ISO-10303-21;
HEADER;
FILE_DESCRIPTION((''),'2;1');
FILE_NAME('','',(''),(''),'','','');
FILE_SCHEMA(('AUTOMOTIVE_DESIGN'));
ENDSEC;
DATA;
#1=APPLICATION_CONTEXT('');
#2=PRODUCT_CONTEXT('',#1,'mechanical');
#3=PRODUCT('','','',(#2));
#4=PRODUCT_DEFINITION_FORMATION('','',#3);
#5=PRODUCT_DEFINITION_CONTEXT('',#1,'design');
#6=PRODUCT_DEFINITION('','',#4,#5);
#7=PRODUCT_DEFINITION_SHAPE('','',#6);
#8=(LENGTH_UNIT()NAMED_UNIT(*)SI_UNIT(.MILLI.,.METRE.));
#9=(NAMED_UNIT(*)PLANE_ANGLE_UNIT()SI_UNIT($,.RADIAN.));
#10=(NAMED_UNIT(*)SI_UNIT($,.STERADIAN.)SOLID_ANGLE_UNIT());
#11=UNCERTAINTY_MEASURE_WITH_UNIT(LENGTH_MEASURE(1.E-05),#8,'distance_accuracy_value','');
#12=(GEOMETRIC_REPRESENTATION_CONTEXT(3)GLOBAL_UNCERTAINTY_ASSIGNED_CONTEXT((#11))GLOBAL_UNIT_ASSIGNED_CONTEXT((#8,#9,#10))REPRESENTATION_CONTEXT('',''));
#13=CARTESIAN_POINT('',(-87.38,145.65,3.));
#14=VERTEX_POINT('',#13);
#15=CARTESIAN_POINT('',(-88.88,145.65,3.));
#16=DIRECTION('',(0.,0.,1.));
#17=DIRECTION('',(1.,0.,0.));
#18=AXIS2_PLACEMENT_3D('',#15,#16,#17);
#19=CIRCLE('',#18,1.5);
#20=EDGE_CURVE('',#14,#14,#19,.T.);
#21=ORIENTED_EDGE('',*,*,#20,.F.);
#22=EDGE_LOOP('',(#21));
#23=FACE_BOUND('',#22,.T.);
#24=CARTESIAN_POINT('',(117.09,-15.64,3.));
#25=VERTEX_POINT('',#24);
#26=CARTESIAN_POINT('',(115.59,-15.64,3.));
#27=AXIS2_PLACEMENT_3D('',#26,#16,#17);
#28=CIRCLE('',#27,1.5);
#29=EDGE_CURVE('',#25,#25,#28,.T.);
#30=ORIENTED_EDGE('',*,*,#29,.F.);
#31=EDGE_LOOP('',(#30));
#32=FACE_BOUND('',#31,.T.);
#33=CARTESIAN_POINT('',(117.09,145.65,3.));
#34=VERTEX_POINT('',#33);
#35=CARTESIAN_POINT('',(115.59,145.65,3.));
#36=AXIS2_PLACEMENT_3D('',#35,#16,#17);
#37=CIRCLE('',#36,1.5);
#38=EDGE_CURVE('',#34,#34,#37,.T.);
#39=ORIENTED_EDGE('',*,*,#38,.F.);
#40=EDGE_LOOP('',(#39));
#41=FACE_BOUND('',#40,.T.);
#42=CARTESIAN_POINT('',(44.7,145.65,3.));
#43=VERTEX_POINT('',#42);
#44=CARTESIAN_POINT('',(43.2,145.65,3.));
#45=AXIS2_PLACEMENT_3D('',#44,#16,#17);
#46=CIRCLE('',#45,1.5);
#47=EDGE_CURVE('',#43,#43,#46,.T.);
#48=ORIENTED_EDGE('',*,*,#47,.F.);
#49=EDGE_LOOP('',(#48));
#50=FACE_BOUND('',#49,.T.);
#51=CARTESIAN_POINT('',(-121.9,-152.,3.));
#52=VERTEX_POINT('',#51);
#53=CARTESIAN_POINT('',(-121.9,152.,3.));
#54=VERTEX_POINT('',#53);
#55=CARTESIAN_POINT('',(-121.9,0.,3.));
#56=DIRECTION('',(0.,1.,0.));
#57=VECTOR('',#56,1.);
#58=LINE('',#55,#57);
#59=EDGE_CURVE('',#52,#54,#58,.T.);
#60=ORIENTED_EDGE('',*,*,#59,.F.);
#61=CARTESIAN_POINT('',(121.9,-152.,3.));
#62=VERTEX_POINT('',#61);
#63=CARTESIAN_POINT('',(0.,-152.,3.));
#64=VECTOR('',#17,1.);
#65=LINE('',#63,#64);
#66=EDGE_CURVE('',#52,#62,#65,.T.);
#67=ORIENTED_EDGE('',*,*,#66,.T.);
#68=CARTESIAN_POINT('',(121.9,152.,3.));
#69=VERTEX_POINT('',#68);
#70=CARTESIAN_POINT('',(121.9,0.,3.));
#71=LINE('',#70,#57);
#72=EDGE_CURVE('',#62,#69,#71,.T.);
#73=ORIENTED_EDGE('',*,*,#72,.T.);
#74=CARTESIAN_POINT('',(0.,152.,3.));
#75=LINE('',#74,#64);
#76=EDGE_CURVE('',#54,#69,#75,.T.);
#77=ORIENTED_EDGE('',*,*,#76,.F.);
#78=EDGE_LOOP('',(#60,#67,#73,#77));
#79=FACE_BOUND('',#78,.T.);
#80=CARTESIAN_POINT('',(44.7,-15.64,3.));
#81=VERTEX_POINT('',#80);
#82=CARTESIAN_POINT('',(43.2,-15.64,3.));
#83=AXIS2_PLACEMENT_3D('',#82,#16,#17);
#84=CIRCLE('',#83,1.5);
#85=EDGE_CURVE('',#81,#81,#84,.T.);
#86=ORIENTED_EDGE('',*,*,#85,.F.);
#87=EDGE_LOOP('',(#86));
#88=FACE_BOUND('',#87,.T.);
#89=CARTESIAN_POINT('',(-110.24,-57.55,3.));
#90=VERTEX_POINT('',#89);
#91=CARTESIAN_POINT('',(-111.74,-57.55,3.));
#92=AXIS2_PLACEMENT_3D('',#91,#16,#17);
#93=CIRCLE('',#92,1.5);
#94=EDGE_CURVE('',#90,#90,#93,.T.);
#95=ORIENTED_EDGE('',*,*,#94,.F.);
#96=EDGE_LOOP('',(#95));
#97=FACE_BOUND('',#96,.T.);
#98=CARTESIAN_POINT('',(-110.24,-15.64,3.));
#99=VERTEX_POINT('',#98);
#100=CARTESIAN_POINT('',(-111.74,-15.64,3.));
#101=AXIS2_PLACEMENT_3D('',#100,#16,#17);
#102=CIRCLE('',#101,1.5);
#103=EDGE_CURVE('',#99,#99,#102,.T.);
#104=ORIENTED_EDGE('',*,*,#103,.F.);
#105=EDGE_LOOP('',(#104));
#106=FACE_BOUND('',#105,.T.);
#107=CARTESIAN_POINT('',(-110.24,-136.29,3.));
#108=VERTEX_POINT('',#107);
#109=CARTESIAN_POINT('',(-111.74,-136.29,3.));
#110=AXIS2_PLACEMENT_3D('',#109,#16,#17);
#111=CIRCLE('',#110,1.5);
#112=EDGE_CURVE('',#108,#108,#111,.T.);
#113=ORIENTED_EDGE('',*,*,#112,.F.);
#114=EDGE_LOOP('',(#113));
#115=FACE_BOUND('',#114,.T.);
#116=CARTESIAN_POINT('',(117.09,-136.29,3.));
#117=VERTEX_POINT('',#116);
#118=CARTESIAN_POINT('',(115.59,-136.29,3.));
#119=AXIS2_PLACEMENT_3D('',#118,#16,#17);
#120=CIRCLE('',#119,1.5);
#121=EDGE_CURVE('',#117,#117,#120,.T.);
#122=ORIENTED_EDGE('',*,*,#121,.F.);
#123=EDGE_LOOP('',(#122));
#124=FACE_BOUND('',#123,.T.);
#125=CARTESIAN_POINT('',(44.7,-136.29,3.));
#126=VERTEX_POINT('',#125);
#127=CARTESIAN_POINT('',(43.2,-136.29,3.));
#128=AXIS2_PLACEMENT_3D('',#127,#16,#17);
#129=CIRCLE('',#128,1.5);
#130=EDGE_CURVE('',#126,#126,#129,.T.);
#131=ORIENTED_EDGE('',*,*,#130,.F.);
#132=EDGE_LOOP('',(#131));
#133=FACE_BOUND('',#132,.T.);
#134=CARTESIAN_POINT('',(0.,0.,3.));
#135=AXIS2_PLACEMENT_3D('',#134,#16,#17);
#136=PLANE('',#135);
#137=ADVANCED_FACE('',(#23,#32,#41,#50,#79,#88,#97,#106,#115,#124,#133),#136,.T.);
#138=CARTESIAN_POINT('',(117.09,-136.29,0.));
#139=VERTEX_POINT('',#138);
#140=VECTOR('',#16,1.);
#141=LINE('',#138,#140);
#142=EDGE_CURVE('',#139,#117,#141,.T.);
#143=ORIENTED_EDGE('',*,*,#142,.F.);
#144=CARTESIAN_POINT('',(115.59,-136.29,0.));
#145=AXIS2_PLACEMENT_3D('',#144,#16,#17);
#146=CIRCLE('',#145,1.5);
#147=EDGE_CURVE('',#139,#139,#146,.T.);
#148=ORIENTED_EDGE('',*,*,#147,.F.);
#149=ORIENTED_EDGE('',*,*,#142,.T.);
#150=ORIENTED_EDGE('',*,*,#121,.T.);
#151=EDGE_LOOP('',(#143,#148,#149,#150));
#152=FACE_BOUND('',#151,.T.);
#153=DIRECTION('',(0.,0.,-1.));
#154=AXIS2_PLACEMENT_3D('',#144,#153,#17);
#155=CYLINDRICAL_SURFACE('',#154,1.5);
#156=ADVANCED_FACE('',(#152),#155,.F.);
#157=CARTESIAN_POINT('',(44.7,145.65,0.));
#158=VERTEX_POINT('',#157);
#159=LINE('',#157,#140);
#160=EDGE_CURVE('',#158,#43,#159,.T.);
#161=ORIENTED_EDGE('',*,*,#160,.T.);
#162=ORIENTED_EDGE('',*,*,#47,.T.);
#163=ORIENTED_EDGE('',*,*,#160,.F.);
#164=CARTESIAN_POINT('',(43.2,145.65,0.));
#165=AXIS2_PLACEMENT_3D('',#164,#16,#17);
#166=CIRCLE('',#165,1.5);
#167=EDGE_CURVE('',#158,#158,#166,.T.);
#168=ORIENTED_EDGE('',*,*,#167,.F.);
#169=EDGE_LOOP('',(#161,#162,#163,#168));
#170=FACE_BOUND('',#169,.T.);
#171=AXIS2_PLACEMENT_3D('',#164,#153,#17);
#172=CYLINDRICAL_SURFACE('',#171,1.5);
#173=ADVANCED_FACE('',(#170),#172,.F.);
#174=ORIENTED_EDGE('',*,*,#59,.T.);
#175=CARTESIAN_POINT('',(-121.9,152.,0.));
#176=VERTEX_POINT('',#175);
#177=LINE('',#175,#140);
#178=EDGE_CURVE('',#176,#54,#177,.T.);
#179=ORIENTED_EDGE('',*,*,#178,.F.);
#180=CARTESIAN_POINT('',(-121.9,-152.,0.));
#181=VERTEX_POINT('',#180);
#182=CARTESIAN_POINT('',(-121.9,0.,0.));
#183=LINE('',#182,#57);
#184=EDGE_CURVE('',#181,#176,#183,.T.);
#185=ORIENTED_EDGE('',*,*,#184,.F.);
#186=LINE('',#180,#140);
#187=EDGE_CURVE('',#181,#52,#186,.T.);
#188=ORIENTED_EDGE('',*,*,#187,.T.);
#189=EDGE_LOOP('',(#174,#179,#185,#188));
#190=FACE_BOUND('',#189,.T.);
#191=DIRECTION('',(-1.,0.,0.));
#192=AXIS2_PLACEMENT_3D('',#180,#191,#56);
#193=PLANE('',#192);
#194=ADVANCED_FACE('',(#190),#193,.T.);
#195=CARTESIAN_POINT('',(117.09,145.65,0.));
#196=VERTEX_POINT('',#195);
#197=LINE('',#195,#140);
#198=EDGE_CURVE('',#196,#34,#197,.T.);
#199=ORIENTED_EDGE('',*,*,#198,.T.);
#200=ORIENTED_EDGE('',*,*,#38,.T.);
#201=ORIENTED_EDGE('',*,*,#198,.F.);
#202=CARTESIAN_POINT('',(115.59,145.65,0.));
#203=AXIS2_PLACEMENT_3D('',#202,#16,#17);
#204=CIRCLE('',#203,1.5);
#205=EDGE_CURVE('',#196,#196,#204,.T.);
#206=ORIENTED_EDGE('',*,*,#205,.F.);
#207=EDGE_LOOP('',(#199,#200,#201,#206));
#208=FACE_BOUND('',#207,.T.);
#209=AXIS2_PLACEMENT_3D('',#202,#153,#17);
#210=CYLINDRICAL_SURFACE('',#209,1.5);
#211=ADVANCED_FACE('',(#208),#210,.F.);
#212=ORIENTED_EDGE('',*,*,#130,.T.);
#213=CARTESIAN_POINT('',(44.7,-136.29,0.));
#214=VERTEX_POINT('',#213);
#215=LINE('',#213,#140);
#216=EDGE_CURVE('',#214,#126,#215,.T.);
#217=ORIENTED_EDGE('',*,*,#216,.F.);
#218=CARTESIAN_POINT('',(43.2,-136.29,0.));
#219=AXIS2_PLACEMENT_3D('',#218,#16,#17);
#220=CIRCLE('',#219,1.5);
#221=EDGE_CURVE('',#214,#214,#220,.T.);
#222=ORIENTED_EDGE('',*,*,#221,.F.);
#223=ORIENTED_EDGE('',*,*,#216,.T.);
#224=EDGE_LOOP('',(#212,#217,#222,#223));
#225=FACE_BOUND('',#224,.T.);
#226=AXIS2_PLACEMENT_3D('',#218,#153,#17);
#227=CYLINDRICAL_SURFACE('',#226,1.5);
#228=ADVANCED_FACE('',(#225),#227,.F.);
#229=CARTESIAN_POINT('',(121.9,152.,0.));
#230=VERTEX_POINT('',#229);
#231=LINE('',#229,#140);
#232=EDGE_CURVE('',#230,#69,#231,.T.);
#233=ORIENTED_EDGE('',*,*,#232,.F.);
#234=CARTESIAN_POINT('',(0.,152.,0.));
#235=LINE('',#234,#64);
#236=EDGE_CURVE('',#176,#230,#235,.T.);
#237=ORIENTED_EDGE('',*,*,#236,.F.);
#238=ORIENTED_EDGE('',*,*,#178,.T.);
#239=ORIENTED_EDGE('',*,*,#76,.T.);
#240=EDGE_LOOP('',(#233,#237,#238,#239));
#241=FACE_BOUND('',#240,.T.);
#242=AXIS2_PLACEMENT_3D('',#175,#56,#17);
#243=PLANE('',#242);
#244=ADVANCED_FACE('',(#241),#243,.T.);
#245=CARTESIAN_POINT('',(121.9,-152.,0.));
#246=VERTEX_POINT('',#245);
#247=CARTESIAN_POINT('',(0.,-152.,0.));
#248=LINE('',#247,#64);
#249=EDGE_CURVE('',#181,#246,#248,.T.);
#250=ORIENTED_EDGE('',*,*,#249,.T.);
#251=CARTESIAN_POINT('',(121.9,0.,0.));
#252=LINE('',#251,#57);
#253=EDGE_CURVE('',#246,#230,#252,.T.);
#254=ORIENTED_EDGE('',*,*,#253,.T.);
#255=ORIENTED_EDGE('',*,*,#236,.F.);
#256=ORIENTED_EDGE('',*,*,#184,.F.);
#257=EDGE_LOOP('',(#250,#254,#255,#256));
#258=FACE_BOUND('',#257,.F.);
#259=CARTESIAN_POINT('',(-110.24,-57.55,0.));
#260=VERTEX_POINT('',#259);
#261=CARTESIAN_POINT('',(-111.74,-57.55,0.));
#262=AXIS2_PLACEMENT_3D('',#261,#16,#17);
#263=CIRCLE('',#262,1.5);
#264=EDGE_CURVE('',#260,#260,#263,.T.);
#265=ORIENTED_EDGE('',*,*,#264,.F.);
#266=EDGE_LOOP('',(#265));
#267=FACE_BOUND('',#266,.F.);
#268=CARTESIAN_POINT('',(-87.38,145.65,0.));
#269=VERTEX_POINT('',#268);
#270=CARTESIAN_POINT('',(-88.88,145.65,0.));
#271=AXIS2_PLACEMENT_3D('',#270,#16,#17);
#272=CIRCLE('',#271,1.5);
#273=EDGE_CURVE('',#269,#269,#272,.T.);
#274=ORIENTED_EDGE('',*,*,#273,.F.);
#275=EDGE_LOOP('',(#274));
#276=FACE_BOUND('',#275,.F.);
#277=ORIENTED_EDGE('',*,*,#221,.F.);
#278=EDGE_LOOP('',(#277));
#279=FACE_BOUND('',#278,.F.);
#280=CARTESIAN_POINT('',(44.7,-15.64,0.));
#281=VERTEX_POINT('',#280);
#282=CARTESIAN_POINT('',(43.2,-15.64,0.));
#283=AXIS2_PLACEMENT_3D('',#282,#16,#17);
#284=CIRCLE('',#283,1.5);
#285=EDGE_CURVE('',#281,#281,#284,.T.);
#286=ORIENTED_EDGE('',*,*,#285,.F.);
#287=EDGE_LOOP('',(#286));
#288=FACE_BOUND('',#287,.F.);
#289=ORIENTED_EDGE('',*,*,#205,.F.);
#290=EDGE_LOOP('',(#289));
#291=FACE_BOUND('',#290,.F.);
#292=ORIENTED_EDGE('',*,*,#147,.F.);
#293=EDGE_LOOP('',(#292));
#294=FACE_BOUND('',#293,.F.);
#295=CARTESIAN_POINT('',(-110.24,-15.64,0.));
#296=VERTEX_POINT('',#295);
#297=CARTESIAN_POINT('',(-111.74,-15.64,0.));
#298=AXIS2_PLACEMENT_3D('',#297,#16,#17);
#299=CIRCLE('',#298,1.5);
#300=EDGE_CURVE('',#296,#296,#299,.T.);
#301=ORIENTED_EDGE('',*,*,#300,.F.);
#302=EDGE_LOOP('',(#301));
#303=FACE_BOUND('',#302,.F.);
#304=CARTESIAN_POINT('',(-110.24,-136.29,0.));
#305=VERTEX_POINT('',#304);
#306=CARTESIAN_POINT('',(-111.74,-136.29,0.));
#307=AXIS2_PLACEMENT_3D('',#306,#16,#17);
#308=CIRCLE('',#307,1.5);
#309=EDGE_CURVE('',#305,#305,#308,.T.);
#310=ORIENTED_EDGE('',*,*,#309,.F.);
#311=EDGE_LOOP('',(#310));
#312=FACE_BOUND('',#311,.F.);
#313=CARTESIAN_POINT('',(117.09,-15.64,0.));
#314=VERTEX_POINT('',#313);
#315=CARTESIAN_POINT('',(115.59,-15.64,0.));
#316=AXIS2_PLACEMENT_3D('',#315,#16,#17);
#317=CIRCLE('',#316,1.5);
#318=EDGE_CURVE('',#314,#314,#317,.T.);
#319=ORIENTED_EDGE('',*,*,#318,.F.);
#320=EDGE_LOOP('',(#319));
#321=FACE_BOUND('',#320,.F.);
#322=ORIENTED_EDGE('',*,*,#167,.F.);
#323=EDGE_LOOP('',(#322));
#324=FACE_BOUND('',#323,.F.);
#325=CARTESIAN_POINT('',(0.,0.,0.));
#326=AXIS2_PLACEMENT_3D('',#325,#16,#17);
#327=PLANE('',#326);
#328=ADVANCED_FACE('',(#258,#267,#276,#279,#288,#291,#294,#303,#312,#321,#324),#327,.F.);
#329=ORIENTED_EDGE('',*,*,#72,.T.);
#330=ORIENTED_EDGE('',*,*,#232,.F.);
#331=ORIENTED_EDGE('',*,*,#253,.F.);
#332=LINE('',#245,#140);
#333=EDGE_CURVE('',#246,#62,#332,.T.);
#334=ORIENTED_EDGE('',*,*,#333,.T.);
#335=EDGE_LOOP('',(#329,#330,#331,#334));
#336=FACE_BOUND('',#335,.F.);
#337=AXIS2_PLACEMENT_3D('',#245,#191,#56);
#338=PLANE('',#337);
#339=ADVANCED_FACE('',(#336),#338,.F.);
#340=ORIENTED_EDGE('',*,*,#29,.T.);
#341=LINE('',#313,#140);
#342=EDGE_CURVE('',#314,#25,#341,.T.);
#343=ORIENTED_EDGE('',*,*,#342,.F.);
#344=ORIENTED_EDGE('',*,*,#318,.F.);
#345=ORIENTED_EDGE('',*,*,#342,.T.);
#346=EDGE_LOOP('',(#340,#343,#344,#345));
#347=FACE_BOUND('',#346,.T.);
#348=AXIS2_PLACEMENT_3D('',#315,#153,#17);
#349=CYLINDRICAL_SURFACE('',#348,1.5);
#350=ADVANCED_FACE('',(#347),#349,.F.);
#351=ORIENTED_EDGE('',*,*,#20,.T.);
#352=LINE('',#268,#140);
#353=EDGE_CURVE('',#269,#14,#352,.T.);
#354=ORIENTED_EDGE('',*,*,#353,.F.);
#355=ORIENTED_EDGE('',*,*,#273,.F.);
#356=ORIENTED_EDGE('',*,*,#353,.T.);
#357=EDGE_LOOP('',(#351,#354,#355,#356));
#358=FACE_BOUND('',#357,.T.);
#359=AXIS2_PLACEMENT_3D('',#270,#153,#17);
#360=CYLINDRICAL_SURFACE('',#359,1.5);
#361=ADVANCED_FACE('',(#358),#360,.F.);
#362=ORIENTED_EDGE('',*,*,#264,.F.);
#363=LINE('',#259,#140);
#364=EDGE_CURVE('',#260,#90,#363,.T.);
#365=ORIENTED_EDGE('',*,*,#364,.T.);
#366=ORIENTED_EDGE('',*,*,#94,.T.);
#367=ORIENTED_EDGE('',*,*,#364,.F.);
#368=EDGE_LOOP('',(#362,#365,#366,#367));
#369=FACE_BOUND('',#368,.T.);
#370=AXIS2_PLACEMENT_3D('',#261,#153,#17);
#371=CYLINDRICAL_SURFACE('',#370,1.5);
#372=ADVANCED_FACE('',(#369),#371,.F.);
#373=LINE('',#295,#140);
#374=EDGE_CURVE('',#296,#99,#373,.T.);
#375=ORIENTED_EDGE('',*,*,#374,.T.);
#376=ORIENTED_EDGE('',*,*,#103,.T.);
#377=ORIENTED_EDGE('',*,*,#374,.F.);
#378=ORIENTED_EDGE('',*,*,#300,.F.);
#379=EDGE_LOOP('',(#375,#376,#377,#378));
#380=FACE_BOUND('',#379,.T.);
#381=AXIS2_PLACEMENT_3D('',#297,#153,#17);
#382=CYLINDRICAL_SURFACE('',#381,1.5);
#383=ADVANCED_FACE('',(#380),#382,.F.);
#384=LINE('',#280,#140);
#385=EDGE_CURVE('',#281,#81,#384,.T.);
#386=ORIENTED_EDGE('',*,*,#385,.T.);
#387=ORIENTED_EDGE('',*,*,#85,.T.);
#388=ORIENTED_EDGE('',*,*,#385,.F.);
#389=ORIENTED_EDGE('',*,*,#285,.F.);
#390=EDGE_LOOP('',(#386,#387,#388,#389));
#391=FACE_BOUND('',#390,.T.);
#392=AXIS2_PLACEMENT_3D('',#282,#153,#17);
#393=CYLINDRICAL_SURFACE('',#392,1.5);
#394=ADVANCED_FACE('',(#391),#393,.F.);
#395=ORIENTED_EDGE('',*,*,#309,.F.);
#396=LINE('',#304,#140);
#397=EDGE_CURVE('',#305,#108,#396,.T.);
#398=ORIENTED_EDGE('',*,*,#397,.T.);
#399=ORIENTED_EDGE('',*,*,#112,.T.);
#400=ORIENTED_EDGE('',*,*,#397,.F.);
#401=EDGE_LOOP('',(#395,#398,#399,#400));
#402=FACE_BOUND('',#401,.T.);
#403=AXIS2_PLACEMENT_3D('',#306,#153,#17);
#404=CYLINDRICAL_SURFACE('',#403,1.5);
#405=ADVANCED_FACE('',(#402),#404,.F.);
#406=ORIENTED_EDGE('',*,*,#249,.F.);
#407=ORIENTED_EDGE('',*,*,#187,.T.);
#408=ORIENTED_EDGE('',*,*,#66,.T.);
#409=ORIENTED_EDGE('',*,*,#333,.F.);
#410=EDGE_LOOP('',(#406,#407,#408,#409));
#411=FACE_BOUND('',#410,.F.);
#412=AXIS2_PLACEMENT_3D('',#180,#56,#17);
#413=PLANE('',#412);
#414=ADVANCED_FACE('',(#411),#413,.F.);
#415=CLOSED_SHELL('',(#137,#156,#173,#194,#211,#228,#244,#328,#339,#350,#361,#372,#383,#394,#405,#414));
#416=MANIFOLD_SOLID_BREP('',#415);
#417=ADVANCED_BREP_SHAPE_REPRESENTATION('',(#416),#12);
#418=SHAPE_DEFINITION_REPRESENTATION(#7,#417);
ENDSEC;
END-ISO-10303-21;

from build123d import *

# Parameters (mm, degrees)
F0_W     = 243.8
F0_H     = 304
F0_R     = 1.5
F1_DEPTH = 3


with BuildPart() as f1:
    # F0 (on Top) → F1 (new body)
    with BuildSketch(Plane.XY):
        Rectangle(F0_W, F0_H)
        with Locations((-111.74, -136.29)):
            Circle(F0_R, mode=Mode.SUBTRACT)
        with Locations((-111.74, -57.55)):
            Circle(F0_R, mode=Mode.SUBTRACT)
        with Locations((-111.74, -15.64)):
            Circle(F0_R, mode=Mode.SUBTRACT)
        with Locations((43.2, -136.29)):
            Circle(F0_R, mode=Mode.SUBTRACT)
        with Locations((115.59, -136.29)):
            Circle(F0_R, mode=Mode.SUBTRACT)
        with Locations((43.2, -15.64)):
            Circle(F0_R, mode=Mode.SUBTRACT)
        with Locations((115.59, -15.64)):
            Circle(F0_R, mode=Mode.SUBTRACT)
        with Locations((-88.88, 145.65)):
            Circle(F0_R, mode=Mode.SUBTRACT)
        with Locations((43.2, 145.65)):
            Circle(F0_R, mode=Mode.SUBTRACT)
        with Locations((115.59, 145.65)):
            Circle(F0_R, mode=Mode.SUBTRACT)
    extrude(amount=F1_DEPTH)


solid = f1.part
